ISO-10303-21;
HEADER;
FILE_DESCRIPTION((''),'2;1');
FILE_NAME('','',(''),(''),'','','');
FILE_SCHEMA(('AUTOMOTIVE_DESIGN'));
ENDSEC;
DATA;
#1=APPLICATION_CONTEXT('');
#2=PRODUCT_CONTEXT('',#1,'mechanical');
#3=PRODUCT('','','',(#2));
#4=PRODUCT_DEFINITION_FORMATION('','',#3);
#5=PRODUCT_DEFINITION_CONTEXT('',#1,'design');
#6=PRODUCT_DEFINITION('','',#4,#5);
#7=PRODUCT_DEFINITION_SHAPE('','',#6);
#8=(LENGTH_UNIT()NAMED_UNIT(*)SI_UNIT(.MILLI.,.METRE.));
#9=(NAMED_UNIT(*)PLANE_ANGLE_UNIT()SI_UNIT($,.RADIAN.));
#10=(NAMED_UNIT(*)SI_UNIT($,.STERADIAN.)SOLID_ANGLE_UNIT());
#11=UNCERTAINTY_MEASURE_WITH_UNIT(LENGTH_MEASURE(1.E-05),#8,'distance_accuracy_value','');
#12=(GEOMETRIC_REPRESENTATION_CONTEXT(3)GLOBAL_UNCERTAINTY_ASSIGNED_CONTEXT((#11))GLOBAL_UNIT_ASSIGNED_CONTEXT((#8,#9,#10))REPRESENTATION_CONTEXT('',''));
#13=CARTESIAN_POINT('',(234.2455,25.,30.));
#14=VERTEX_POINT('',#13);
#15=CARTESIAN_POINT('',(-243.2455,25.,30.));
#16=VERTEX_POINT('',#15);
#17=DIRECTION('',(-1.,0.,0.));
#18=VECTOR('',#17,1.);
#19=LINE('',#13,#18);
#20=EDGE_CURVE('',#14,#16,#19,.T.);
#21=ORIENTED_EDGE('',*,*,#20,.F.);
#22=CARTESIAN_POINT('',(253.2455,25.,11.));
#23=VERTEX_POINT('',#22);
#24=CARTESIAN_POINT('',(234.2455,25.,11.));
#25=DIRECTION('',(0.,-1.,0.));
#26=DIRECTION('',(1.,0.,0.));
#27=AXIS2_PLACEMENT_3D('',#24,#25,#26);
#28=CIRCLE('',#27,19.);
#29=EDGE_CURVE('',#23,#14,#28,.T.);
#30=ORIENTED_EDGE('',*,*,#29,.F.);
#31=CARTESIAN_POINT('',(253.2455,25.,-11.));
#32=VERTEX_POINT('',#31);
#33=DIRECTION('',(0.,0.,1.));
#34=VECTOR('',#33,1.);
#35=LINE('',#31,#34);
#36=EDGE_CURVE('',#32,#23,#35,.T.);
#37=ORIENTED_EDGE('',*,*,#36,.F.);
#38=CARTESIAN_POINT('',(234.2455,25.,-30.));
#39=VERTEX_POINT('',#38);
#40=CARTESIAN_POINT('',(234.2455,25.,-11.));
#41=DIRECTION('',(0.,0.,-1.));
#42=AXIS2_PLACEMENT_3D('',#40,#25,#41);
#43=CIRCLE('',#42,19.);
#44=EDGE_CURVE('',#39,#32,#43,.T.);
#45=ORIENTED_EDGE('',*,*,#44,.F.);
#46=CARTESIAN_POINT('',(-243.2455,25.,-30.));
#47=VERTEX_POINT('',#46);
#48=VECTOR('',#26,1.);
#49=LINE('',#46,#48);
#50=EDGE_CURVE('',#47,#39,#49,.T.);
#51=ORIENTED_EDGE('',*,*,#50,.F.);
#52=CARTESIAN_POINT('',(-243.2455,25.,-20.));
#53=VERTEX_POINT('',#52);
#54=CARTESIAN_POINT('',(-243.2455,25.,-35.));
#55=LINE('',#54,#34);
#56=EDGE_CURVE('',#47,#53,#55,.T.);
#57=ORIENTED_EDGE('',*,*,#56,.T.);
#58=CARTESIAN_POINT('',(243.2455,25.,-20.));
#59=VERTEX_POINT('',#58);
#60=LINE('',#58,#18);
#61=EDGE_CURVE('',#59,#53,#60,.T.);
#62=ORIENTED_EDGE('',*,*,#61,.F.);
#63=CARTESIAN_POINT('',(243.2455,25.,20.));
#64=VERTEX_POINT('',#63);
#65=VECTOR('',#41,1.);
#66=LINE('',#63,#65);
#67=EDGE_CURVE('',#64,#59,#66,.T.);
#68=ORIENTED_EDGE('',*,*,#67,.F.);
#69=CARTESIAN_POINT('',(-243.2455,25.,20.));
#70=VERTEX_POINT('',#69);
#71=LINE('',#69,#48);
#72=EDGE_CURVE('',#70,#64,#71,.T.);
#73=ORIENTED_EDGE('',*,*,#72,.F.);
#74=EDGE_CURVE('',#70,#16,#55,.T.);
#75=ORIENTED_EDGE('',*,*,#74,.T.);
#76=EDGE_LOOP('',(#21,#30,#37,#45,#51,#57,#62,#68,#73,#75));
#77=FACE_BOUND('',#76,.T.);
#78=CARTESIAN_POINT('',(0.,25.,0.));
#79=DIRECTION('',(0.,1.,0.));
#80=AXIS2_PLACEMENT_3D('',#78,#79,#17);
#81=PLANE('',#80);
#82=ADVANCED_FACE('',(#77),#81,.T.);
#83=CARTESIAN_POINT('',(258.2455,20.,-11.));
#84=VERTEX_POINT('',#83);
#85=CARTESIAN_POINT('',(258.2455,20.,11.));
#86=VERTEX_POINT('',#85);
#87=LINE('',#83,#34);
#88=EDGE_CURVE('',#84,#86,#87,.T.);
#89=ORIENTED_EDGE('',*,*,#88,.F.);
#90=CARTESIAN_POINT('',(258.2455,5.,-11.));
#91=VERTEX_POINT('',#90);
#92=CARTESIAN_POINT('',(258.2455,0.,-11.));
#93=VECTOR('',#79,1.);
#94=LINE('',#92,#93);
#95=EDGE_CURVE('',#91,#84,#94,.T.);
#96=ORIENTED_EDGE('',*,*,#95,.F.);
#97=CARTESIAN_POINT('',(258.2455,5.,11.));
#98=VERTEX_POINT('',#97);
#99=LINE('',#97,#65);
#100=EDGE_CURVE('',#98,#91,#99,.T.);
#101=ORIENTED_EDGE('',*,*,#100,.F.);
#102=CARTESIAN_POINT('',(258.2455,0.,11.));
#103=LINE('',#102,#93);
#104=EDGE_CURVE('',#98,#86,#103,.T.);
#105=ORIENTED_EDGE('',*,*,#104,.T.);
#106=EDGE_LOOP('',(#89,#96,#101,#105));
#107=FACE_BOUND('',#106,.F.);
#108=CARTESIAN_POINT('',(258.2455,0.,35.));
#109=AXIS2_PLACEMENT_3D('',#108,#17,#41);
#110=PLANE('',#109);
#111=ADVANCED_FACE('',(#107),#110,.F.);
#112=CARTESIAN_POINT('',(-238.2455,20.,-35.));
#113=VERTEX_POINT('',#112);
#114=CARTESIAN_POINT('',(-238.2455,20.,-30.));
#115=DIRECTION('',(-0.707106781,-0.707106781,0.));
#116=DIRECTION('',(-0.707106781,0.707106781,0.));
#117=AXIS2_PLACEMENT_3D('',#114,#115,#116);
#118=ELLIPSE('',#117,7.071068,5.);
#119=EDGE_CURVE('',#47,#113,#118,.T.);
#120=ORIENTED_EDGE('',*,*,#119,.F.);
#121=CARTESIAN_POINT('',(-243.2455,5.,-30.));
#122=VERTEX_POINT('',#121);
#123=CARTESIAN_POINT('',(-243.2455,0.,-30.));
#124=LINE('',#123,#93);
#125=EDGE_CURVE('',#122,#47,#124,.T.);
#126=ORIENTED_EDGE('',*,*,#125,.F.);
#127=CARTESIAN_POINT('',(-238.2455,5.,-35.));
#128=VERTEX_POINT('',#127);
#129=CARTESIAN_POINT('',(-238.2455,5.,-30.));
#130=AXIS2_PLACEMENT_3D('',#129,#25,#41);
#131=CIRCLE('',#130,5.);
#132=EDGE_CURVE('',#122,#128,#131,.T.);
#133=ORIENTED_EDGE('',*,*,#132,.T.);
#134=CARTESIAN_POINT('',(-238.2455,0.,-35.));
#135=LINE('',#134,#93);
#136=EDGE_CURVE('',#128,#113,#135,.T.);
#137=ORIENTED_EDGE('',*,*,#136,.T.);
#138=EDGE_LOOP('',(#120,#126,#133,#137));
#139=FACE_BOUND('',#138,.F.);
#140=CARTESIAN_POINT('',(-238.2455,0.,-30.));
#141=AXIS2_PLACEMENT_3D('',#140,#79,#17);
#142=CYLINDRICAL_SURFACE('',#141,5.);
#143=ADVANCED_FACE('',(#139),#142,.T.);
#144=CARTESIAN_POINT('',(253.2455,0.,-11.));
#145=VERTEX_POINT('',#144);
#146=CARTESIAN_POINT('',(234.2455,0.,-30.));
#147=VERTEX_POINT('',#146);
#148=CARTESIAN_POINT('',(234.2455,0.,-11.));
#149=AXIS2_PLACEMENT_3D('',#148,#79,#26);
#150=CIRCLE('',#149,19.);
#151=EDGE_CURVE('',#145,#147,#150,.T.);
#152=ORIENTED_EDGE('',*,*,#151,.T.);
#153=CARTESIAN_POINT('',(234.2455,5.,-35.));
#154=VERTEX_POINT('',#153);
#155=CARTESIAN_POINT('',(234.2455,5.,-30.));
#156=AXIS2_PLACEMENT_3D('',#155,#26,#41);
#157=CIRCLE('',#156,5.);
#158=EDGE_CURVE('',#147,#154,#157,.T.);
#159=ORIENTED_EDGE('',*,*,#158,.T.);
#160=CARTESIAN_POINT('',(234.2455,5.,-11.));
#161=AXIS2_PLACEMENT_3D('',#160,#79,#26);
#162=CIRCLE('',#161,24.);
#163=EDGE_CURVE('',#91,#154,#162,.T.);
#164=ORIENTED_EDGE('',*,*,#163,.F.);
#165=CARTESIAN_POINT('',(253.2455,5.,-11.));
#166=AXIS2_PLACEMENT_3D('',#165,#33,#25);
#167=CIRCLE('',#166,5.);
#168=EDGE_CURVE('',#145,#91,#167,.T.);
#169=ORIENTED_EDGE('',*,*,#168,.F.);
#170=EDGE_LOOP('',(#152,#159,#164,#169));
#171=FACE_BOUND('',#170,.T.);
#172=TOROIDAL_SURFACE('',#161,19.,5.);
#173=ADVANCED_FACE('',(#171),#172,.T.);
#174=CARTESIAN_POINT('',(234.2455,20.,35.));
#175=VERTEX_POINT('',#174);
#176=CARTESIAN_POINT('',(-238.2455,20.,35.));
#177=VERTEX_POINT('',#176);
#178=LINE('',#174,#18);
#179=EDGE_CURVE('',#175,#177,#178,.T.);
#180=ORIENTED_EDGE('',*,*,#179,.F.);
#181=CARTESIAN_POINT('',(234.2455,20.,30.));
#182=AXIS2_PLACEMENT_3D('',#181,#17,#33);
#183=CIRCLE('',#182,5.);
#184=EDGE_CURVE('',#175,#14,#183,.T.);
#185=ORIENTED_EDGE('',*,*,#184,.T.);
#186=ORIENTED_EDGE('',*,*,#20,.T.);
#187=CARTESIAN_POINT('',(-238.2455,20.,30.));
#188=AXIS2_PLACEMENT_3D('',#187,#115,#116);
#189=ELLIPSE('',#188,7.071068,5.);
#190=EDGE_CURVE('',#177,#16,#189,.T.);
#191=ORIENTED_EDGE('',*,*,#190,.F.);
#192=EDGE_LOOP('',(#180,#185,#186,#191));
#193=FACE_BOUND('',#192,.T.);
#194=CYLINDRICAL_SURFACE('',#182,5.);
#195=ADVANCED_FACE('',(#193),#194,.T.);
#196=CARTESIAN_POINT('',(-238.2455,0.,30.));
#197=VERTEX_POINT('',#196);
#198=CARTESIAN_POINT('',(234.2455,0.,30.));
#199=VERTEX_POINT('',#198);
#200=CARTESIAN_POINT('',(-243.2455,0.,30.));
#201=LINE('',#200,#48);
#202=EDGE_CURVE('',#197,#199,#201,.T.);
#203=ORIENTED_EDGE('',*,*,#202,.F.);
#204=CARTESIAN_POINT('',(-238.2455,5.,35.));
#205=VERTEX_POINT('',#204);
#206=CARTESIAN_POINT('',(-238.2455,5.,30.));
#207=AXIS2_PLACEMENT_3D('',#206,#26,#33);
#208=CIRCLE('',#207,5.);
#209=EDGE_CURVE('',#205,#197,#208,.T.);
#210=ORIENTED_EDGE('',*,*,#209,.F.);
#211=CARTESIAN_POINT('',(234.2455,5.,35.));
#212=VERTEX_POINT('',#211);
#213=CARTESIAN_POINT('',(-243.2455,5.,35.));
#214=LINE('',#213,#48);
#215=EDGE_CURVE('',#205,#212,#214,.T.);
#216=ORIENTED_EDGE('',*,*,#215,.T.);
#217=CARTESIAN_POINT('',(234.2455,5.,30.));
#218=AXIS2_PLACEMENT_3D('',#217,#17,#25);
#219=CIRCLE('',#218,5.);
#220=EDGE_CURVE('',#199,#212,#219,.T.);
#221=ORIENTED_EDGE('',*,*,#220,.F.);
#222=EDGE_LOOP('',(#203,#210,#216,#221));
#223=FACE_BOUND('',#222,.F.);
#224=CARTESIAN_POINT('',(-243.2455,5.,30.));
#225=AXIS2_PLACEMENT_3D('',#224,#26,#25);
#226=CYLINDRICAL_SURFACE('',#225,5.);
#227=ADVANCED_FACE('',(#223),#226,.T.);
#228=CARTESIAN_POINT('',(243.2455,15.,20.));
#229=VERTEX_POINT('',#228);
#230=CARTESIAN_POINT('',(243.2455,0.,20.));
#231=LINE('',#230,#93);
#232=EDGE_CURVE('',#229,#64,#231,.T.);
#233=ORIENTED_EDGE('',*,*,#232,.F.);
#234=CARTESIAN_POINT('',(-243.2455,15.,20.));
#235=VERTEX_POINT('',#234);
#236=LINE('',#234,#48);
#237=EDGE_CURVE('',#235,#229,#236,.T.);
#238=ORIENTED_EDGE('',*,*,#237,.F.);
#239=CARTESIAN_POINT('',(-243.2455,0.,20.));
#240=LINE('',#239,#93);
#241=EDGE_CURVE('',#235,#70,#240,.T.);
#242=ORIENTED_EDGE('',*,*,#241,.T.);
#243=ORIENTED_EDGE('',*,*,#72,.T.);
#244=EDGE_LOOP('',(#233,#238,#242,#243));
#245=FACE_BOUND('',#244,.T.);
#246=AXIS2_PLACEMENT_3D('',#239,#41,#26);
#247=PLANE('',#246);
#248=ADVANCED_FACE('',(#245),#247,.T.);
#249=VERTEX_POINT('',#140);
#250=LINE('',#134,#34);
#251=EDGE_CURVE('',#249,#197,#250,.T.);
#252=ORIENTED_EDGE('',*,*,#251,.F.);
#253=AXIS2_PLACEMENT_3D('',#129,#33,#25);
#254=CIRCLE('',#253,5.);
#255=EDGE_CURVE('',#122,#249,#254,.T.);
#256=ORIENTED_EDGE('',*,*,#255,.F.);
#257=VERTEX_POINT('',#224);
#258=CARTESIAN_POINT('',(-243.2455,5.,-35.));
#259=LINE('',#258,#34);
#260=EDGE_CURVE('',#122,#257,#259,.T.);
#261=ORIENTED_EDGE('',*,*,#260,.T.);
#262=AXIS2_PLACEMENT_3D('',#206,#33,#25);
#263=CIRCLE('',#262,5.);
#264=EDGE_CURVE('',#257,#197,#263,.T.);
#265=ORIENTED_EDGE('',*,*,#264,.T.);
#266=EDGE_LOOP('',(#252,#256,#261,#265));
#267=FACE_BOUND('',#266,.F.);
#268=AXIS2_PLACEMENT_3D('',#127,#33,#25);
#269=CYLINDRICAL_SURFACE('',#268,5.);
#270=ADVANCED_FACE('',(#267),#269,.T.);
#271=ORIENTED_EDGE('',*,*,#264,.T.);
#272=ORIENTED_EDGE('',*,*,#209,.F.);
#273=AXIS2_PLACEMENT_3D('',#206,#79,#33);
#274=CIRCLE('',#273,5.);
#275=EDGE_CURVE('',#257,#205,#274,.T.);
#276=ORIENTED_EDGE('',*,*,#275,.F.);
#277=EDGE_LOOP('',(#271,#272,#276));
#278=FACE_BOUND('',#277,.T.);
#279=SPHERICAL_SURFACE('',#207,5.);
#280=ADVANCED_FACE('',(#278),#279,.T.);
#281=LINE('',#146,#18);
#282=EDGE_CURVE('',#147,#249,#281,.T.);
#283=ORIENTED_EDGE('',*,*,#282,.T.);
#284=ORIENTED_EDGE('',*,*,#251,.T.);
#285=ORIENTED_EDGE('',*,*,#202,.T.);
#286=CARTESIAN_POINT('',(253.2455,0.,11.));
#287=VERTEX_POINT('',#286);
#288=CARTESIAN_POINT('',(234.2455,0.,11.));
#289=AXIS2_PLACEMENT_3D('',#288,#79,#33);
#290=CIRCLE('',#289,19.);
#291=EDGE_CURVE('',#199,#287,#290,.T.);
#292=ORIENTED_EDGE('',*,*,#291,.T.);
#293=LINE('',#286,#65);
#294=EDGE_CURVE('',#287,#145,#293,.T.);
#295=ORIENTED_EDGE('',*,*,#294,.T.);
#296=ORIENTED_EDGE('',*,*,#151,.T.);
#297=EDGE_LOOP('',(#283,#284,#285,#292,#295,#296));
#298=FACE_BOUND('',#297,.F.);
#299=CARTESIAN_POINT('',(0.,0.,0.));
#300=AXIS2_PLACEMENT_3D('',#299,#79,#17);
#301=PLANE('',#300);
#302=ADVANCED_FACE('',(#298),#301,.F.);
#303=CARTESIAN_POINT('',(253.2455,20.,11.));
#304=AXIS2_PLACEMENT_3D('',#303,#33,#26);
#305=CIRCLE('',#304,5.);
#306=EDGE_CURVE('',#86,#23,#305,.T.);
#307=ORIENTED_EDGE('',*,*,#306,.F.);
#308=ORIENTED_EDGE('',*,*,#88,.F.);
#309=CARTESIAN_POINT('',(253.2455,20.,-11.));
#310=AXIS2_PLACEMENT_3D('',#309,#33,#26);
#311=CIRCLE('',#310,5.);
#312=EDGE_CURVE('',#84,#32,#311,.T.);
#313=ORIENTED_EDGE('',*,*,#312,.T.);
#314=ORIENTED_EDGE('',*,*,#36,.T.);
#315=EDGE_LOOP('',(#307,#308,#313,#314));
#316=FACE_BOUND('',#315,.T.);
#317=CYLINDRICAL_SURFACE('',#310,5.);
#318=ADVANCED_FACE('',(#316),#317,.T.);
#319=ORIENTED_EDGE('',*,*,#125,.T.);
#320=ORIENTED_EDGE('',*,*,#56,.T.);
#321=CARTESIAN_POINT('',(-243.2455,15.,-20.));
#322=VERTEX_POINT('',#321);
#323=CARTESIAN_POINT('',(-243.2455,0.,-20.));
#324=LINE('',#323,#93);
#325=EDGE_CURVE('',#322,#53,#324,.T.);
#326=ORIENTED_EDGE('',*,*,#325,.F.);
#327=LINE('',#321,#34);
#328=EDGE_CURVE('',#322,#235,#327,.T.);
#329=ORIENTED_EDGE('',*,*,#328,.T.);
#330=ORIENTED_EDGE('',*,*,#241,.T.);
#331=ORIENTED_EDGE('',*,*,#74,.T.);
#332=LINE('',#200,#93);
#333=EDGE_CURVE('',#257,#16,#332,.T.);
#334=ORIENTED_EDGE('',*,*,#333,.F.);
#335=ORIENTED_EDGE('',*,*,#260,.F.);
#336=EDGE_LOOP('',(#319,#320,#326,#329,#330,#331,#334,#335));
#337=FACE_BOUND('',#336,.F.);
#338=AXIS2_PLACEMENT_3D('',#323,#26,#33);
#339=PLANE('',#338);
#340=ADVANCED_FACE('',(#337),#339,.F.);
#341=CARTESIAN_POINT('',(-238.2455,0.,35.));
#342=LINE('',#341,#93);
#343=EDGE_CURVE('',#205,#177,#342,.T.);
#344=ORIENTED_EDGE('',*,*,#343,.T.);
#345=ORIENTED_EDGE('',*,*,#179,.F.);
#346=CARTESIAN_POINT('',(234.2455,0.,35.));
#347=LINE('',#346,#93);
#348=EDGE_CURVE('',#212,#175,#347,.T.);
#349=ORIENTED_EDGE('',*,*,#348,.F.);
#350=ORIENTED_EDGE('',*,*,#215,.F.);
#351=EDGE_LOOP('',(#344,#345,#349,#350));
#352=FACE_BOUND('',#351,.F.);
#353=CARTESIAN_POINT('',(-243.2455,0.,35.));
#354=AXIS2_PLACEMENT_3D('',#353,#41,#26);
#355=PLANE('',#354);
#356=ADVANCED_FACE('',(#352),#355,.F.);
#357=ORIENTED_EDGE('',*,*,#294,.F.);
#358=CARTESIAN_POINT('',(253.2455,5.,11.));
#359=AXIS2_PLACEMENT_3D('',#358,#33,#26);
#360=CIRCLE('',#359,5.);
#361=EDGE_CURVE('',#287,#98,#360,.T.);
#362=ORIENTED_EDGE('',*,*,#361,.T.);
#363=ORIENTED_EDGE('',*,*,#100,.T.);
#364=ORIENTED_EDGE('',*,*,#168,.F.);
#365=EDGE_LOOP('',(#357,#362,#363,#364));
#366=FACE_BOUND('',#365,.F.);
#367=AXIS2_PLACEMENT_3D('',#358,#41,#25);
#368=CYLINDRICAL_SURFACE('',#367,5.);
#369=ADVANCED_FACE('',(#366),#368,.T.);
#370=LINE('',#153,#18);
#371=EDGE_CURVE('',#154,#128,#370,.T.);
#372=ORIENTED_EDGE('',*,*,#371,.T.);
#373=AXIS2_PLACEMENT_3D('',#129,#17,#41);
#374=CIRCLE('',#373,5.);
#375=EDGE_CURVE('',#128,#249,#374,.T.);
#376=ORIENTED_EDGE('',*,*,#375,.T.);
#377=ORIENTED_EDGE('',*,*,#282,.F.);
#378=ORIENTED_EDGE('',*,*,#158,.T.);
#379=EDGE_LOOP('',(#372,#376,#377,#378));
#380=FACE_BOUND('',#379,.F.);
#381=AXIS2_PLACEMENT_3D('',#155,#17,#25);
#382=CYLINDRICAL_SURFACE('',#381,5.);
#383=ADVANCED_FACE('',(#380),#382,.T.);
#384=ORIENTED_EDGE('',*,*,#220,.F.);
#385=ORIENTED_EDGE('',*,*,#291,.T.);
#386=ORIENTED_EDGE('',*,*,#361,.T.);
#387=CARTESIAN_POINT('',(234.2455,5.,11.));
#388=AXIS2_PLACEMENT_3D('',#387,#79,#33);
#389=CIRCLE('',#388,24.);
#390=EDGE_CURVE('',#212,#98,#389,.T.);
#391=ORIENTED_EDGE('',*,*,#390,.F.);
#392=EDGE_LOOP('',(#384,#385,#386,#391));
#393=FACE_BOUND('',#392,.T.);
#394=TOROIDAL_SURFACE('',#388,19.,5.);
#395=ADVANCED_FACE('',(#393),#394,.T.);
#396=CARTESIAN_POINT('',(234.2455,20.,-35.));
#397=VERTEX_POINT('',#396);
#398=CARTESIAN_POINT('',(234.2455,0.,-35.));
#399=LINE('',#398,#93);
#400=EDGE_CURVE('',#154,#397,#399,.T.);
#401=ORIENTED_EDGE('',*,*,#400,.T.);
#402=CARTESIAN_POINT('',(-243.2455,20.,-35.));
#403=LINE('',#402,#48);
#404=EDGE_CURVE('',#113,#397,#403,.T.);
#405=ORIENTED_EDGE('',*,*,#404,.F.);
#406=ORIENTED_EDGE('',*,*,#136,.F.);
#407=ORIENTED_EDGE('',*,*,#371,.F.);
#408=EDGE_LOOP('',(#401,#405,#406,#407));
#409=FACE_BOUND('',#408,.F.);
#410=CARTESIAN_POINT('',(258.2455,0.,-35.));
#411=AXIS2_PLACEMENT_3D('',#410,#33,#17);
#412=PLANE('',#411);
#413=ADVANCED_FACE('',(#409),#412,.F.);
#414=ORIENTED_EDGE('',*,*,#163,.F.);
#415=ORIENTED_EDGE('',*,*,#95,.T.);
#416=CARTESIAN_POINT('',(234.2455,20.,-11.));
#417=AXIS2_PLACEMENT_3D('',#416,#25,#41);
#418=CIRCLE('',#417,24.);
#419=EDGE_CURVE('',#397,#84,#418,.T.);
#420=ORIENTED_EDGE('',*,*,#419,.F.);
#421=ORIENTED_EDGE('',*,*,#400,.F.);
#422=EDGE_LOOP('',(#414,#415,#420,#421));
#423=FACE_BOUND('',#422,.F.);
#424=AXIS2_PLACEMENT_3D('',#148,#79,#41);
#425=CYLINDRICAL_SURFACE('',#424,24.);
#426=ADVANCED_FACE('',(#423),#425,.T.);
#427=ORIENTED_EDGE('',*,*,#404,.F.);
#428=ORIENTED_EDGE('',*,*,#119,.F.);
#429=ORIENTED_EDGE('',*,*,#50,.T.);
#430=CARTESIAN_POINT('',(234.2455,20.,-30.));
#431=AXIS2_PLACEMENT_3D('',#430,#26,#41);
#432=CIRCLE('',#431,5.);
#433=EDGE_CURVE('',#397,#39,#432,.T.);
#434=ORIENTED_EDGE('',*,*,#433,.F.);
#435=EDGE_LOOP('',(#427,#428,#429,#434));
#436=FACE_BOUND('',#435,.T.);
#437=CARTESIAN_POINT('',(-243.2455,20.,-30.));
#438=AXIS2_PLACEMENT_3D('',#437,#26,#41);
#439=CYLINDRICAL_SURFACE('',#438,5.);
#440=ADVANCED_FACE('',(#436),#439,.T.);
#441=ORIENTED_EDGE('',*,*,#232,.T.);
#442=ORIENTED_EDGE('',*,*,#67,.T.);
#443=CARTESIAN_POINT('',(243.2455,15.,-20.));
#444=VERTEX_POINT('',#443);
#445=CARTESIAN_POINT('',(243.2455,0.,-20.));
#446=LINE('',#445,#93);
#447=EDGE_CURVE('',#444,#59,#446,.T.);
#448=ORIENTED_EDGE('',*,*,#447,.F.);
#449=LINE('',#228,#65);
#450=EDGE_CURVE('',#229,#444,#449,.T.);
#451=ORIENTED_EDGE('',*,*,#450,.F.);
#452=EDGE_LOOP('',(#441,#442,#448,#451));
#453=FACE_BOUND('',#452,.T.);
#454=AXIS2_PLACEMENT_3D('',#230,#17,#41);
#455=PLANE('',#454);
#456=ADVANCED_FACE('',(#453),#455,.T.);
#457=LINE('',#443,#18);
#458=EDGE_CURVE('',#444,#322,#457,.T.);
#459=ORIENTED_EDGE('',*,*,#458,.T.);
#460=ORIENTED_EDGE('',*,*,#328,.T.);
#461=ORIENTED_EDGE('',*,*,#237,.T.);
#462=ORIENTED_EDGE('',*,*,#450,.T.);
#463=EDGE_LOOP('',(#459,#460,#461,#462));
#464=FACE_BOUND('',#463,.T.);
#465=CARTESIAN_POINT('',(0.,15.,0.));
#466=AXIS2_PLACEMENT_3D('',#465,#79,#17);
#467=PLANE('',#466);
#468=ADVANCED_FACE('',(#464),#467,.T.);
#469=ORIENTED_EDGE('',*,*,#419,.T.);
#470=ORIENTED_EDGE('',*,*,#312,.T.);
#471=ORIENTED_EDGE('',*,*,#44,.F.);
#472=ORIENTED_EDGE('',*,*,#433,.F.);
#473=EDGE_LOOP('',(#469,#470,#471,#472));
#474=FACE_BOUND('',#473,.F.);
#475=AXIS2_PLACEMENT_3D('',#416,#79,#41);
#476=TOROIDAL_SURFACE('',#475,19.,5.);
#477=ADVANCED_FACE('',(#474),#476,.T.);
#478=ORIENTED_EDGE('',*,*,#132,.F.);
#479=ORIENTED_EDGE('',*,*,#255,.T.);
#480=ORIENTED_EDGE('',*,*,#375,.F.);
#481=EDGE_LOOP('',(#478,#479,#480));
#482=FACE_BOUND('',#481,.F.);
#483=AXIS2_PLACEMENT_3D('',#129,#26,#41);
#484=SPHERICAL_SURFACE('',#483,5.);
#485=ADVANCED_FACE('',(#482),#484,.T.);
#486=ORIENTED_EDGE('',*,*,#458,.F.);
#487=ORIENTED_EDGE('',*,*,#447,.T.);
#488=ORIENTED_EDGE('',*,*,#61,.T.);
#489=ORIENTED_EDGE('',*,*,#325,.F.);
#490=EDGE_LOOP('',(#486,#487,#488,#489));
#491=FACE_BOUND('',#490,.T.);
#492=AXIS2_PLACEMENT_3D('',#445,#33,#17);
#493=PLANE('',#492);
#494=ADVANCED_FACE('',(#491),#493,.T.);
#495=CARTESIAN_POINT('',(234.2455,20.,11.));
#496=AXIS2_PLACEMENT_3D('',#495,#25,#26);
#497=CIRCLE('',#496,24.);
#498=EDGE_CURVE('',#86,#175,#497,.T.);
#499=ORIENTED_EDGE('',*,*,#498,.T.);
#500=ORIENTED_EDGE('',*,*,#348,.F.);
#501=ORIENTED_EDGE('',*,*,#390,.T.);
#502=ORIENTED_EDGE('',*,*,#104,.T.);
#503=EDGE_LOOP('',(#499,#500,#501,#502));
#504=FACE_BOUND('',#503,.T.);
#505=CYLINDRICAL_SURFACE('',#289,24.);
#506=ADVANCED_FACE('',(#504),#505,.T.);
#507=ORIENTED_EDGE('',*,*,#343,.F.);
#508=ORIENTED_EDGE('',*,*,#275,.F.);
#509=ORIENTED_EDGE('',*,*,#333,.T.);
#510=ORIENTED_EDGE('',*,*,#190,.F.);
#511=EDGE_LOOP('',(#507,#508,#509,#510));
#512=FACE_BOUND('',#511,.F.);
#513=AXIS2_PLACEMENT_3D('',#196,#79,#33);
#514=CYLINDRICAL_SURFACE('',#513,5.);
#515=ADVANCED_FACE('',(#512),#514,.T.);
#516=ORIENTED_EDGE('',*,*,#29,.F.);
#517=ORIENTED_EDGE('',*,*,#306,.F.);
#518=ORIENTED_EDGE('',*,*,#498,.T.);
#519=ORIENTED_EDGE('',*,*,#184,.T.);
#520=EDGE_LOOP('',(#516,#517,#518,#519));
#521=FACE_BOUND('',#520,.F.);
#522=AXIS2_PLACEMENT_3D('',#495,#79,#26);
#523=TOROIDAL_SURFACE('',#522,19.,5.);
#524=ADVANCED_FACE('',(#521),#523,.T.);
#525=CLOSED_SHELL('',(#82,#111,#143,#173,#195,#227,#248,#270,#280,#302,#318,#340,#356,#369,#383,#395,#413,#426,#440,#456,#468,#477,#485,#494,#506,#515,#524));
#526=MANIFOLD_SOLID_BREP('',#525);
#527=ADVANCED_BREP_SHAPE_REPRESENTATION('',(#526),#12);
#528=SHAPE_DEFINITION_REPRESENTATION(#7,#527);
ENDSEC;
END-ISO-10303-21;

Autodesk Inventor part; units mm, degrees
ref_plane "YZ Plane" through (0, 0, 0) normal (1, 0, 0) x (0, 1, 0)
ref_plane "XZ Plane" through (0, 0, 0) normal (0, 1, 0) x (-1, 0, 0)
ref_plane "XY Plane" through (0, 0, 0) normal (0, 0, 1) x (1, 0, 0)
sketch "Sketch1" plane through (0, 0, 0) normal (0, 1, 0) x (-1, 0, 0)
  line L0 (243.2455, 20) -> (-243.2455, 20)
  line L1 (-243.2455, 20) -> (-243.2455, -20)
  line L2 (-243.2455, -20) -> (243.2455, -20)
  line L3 (243.2455, -20) -> (243.2455, 20)
  line L4 (243.2455, 20) -> (-243.2455, -20) construction
  line L5 (-243.2455, 20) -> (243.2455, -20) construction
  line L6 (243.2455, 35) -> (-258.2455, 35)
  line L7 (-258.2455, 35) -> (-258.2455, -35)
  line L8 (-258.2455, -35) -> (243.2455, -35)
  line L9 (243.2455, -35) -> (243.2455, 35)
  line L10 (243.2455, 35) -> (-258.2455, -35) construction
  line L11 (-258.2455, 35) -> (243.2455, -35) construction
  point P0 (0, 0)
  point P1 (-7.5, 0)
  point P2 (243.2455, 20)
  point P3 (243.2455, -20)
  dimension "d0" = 486.491
  dimension "d1" = 40
  dimension "d2" = 15
  dimension "d3" = 15
extrude "Extrusion1" add sketch "Sketch1" along normal blind 15 contours L3 L2 L1 L0
extrude "Extrusion2" add sketch "Sketch1" along normal blind 25 contours L0 L1 L2 L9 L8 L7 L6
fillet "Fillet1" radius 24 2 edges at (258.2455, 12.5, -35) (258.2455, 12.5, 35)
fillet "Fillet2" radius 5 11 edges at (258.2455, 0, 0) (-4.5, 0, 35) (-4.5, 0, -35) (-243.2455, 12.5, -35) (-243.2455, 12.5, 35) (251.2161, 25, -27.9706) (258.2455, 25, 0) (251.2161, 25, 27.9706) (-4.5, 25, 35) (-4.5, 25, -35) (-243.2455, 0, 0)
properties part number "ArmRestCushion"
